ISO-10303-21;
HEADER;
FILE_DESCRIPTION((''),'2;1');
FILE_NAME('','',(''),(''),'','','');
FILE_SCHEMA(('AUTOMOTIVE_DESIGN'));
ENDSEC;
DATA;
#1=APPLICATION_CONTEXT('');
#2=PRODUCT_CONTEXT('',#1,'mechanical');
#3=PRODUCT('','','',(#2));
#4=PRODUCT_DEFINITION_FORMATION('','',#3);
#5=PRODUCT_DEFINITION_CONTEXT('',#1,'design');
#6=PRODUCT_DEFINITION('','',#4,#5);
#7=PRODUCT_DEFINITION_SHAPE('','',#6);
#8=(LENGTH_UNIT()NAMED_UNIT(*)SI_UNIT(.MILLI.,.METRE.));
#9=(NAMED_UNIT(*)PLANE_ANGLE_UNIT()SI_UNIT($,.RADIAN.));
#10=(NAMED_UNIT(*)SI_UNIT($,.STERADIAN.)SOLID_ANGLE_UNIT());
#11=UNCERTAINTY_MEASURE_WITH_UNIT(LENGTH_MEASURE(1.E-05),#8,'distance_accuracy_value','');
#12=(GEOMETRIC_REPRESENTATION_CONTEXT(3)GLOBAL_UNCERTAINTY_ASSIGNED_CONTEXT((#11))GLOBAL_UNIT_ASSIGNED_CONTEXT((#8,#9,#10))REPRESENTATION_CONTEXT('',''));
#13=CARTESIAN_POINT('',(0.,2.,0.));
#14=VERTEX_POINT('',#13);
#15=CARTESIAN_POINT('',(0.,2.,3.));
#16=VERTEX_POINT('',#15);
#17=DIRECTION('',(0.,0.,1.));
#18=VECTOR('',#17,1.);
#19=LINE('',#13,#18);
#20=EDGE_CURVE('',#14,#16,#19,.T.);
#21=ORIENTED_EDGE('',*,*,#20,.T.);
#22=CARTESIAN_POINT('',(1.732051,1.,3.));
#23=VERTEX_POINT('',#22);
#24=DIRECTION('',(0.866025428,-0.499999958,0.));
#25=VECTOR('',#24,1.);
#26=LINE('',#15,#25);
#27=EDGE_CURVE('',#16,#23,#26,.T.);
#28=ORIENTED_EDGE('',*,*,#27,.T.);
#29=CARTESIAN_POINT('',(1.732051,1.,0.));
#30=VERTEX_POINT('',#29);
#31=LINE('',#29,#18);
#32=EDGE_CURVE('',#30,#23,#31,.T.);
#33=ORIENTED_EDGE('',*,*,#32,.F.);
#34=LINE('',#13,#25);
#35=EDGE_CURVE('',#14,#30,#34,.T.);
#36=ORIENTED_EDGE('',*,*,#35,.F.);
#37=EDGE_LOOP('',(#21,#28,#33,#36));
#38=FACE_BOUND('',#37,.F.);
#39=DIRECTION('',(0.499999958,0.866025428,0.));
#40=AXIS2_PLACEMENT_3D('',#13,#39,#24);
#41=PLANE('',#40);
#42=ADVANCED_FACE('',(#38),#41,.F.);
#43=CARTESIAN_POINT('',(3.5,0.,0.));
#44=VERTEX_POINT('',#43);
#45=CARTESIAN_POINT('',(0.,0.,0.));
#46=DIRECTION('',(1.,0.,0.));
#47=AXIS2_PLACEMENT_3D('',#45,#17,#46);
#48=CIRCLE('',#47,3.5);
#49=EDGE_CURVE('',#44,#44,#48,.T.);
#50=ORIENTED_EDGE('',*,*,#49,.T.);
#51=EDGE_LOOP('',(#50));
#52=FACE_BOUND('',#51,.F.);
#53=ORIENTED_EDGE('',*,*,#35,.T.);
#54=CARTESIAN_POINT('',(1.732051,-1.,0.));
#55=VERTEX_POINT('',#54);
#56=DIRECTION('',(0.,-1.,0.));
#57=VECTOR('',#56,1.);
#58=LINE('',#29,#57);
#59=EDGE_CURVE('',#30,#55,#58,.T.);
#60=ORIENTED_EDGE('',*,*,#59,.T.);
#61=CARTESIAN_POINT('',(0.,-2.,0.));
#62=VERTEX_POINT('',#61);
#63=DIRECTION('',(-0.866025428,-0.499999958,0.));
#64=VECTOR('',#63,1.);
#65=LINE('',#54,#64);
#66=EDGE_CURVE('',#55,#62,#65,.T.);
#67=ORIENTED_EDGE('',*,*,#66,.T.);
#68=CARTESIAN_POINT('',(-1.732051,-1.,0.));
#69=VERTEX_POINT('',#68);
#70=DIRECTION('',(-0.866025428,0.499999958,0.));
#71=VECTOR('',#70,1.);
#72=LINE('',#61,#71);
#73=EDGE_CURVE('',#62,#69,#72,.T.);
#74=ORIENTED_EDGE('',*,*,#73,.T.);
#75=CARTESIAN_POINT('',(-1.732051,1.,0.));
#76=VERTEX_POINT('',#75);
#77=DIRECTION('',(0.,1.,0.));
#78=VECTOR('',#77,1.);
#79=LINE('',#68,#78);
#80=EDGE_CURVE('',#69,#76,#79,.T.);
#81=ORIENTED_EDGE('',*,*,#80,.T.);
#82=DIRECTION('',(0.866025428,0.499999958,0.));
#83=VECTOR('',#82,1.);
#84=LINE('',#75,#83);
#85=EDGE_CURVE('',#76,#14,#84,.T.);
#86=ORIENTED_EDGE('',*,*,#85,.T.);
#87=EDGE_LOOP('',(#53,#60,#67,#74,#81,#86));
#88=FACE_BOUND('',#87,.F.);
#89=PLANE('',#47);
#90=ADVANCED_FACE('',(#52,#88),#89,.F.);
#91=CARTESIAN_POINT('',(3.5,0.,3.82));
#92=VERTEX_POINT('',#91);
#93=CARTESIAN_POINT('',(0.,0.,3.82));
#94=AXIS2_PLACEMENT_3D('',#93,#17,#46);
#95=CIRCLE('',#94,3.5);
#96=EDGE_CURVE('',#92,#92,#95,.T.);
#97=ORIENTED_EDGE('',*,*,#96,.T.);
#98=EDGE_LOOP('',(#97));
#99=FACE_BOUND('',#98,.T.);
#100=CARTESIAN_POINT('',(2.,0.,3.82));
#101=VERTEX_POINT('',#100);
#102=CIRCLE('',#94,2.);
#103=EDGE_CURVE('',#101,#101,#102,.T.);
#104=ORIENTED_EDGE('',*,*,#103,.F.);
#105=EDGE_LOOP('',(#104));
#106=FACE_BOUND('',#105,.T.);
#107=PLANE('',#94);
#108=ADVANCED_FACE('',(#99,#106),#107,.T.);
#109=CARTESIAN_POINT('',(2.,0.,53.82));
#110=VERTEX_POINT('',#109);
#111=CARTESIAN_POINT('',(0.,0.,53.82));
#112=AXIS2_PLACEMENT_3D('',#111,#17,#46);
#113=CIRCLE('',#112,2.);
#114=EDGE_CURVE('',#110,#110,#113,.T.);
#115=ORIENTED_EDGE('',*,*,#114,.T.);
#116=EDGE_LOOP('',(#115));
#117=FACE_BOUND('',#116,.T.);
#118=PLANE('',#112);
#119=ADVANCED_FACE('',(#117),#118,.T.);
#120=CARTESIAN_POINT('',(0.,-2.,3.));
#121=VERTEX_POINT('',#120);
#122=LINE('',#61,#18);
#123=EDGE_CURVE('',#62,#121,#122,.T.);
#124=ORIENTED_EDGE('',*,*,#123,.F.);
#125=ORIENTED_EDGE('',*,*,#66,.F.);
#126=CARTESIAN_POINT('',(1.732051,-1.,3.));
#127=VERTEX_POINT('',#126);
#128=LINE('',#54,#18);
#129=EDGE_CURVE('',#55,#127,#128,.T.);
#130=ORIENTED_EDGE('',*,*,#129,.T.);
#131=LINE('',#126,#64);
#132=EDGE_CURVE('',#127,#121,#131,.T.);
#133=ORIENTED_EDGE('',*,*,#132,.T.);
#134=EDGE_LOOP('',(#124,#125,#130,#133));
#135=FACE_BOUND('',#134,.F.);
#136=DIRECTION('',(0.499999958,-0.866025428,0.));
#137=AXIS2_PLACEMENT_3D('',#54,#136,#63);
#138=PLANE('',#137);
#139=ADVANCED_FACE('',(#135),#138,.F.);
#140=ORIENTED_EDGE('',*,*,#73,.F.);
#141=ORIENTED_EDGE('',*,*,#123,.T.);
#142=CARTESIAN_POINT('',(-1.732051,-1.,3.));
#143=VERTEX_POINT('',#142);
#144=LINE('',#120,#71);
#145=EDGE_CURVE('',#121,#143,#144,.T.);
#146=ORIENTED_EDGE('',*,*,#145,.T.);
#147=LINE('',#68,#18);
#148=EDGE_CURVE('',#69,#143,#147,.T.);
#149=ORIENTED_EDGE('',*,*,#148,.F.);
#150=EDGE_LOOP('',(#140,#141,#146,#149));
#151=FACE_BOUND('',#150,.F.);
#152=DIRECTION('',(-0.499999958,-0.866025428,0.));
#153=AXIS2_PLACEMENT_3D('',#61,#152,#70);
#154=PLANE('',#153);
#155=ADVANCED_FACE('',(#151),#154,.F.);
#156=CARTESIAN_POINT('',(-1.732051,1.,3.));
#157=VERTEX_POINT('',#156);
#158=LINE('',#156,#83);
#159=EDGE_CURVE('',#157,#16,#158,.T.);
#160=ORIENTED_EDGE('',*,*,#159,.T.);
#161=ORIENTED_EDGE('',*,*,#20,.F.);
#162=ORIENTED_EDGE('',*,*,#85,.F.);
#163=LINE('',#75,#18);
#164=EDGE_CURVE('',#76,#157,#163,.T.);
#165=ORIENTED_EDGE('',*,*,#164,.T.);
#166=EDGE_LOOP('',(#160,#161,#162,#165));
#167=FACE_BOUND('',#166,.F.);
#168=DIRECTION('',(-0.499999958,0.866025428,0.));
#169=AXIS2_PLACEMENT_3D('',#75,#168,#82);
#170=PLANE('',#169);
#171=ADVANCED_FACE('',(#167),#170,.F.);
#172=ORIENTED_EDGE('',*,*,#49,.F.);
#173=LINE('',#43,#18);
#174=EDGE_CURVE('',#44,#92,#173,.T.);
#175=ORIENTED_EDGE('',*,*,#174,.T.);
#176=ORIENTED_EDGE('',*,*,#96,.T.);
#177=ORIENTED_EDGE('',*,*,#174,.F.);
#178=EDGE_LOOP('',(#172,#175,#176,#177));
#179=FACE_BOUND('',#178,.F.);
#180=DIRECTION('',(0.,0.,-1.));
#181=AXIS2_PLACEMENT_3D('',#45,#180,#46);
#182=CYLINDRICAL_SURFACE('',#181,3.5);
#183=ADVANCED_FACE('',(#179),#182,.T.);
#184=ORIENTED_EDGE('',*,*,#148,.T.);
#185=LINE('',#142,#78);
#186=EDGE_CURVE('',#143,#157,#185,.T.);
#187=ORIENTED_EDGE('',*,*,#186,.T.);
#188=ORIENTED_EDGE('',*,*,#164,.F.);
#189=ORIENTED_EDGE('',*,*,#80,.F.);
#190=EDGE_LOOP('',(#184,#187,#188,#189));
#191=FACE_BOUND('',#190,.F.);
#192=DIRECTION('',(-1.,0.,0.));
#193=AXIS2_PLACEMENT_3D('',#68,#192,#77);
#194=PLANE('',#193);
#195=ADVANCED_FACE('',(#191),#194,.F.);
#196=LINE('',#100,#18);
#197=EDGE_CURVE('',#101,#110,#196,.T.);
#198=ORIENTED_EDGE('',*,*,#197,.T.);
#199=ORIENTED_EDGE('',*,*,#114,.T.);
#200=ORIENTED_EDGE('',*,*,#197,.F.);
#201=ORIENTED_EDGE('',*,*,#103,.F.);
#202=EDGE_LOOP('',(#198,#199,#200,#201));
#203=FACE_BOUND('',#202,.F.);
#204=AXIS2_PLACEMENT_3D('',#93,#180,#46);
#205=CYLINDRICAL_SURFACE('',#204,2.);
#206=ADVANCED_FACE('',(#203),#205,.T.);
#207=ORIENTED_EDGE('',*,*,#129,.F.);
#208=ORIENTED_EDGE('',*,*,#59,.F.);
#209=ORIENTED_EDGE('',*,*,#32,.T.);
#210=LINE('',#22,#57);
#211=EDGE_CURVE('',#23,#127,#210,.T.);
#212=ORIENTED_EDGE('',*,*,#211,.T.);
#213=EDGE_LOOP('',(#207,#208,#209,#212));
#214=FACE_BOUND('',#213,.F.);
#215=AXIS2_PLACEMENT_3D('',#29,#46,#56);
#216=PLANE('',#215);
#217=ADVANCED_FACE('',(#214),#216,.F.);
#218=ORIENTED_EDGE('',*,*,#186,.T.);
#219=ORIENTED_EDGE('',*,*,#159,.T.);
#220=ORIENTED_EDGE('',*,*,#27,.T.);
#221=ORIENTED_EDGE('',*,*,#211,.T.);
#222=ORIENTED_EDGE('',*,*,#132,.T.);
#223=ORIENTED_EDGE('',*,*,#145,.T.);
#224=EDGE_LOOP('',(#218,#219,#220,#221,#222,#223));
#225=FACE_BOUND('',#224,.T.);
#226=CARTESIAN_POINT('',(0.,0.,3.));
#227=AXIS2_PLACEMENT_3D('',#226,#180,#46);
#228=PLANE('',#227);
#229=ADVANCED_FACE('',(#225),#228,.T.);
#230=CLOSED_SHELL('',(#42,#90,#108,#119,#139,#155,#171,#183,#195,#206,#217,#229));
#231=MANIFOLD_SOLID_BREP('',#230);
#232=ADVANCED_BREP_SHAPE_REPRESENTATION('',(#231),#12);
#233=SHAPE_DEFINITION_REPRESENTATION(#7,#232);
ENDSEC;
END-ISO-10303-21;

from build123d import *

# Parameters (mm, degrees)
CYLINDER_R      = 3.5
CYLINDER_DEPTH  = 3.82
SKETCH002_R     = 2
PAD001_DEPTH    = 50
POCKET001_DEPTH = 3


with BuildPart() as part:
    # Cylinder → Cylinder (new body)
    with BuildSketch(Plane.XY):
        Circle(CYLINDER_R)
    extrude(amount=CYLINDER_DEPTH)

    # Sketch002 → Pad001 (new body)
    with BuildSketch(Plane.XY.offset(3.82)):
        Circle(SKETCH002_R)
    extrude(amount=PAD001_DEPTH)

    # Sketch003 → Pocket001 (cut)
    with BuildSketch(Plane(origin=(0, 0, 0), x_dir=(1, 0, 0), z_dir=(0, 0, -1))):
        Polygon((1.732051, 1), (0, 2), (-1.732051, 1), (-1.732051, -1), (0, -2), (1.732051, -1), align=None)
    extrude(amount=-POCKET001_DEPTH, mode=Mode.SUBTRACT)


solid = part.part
